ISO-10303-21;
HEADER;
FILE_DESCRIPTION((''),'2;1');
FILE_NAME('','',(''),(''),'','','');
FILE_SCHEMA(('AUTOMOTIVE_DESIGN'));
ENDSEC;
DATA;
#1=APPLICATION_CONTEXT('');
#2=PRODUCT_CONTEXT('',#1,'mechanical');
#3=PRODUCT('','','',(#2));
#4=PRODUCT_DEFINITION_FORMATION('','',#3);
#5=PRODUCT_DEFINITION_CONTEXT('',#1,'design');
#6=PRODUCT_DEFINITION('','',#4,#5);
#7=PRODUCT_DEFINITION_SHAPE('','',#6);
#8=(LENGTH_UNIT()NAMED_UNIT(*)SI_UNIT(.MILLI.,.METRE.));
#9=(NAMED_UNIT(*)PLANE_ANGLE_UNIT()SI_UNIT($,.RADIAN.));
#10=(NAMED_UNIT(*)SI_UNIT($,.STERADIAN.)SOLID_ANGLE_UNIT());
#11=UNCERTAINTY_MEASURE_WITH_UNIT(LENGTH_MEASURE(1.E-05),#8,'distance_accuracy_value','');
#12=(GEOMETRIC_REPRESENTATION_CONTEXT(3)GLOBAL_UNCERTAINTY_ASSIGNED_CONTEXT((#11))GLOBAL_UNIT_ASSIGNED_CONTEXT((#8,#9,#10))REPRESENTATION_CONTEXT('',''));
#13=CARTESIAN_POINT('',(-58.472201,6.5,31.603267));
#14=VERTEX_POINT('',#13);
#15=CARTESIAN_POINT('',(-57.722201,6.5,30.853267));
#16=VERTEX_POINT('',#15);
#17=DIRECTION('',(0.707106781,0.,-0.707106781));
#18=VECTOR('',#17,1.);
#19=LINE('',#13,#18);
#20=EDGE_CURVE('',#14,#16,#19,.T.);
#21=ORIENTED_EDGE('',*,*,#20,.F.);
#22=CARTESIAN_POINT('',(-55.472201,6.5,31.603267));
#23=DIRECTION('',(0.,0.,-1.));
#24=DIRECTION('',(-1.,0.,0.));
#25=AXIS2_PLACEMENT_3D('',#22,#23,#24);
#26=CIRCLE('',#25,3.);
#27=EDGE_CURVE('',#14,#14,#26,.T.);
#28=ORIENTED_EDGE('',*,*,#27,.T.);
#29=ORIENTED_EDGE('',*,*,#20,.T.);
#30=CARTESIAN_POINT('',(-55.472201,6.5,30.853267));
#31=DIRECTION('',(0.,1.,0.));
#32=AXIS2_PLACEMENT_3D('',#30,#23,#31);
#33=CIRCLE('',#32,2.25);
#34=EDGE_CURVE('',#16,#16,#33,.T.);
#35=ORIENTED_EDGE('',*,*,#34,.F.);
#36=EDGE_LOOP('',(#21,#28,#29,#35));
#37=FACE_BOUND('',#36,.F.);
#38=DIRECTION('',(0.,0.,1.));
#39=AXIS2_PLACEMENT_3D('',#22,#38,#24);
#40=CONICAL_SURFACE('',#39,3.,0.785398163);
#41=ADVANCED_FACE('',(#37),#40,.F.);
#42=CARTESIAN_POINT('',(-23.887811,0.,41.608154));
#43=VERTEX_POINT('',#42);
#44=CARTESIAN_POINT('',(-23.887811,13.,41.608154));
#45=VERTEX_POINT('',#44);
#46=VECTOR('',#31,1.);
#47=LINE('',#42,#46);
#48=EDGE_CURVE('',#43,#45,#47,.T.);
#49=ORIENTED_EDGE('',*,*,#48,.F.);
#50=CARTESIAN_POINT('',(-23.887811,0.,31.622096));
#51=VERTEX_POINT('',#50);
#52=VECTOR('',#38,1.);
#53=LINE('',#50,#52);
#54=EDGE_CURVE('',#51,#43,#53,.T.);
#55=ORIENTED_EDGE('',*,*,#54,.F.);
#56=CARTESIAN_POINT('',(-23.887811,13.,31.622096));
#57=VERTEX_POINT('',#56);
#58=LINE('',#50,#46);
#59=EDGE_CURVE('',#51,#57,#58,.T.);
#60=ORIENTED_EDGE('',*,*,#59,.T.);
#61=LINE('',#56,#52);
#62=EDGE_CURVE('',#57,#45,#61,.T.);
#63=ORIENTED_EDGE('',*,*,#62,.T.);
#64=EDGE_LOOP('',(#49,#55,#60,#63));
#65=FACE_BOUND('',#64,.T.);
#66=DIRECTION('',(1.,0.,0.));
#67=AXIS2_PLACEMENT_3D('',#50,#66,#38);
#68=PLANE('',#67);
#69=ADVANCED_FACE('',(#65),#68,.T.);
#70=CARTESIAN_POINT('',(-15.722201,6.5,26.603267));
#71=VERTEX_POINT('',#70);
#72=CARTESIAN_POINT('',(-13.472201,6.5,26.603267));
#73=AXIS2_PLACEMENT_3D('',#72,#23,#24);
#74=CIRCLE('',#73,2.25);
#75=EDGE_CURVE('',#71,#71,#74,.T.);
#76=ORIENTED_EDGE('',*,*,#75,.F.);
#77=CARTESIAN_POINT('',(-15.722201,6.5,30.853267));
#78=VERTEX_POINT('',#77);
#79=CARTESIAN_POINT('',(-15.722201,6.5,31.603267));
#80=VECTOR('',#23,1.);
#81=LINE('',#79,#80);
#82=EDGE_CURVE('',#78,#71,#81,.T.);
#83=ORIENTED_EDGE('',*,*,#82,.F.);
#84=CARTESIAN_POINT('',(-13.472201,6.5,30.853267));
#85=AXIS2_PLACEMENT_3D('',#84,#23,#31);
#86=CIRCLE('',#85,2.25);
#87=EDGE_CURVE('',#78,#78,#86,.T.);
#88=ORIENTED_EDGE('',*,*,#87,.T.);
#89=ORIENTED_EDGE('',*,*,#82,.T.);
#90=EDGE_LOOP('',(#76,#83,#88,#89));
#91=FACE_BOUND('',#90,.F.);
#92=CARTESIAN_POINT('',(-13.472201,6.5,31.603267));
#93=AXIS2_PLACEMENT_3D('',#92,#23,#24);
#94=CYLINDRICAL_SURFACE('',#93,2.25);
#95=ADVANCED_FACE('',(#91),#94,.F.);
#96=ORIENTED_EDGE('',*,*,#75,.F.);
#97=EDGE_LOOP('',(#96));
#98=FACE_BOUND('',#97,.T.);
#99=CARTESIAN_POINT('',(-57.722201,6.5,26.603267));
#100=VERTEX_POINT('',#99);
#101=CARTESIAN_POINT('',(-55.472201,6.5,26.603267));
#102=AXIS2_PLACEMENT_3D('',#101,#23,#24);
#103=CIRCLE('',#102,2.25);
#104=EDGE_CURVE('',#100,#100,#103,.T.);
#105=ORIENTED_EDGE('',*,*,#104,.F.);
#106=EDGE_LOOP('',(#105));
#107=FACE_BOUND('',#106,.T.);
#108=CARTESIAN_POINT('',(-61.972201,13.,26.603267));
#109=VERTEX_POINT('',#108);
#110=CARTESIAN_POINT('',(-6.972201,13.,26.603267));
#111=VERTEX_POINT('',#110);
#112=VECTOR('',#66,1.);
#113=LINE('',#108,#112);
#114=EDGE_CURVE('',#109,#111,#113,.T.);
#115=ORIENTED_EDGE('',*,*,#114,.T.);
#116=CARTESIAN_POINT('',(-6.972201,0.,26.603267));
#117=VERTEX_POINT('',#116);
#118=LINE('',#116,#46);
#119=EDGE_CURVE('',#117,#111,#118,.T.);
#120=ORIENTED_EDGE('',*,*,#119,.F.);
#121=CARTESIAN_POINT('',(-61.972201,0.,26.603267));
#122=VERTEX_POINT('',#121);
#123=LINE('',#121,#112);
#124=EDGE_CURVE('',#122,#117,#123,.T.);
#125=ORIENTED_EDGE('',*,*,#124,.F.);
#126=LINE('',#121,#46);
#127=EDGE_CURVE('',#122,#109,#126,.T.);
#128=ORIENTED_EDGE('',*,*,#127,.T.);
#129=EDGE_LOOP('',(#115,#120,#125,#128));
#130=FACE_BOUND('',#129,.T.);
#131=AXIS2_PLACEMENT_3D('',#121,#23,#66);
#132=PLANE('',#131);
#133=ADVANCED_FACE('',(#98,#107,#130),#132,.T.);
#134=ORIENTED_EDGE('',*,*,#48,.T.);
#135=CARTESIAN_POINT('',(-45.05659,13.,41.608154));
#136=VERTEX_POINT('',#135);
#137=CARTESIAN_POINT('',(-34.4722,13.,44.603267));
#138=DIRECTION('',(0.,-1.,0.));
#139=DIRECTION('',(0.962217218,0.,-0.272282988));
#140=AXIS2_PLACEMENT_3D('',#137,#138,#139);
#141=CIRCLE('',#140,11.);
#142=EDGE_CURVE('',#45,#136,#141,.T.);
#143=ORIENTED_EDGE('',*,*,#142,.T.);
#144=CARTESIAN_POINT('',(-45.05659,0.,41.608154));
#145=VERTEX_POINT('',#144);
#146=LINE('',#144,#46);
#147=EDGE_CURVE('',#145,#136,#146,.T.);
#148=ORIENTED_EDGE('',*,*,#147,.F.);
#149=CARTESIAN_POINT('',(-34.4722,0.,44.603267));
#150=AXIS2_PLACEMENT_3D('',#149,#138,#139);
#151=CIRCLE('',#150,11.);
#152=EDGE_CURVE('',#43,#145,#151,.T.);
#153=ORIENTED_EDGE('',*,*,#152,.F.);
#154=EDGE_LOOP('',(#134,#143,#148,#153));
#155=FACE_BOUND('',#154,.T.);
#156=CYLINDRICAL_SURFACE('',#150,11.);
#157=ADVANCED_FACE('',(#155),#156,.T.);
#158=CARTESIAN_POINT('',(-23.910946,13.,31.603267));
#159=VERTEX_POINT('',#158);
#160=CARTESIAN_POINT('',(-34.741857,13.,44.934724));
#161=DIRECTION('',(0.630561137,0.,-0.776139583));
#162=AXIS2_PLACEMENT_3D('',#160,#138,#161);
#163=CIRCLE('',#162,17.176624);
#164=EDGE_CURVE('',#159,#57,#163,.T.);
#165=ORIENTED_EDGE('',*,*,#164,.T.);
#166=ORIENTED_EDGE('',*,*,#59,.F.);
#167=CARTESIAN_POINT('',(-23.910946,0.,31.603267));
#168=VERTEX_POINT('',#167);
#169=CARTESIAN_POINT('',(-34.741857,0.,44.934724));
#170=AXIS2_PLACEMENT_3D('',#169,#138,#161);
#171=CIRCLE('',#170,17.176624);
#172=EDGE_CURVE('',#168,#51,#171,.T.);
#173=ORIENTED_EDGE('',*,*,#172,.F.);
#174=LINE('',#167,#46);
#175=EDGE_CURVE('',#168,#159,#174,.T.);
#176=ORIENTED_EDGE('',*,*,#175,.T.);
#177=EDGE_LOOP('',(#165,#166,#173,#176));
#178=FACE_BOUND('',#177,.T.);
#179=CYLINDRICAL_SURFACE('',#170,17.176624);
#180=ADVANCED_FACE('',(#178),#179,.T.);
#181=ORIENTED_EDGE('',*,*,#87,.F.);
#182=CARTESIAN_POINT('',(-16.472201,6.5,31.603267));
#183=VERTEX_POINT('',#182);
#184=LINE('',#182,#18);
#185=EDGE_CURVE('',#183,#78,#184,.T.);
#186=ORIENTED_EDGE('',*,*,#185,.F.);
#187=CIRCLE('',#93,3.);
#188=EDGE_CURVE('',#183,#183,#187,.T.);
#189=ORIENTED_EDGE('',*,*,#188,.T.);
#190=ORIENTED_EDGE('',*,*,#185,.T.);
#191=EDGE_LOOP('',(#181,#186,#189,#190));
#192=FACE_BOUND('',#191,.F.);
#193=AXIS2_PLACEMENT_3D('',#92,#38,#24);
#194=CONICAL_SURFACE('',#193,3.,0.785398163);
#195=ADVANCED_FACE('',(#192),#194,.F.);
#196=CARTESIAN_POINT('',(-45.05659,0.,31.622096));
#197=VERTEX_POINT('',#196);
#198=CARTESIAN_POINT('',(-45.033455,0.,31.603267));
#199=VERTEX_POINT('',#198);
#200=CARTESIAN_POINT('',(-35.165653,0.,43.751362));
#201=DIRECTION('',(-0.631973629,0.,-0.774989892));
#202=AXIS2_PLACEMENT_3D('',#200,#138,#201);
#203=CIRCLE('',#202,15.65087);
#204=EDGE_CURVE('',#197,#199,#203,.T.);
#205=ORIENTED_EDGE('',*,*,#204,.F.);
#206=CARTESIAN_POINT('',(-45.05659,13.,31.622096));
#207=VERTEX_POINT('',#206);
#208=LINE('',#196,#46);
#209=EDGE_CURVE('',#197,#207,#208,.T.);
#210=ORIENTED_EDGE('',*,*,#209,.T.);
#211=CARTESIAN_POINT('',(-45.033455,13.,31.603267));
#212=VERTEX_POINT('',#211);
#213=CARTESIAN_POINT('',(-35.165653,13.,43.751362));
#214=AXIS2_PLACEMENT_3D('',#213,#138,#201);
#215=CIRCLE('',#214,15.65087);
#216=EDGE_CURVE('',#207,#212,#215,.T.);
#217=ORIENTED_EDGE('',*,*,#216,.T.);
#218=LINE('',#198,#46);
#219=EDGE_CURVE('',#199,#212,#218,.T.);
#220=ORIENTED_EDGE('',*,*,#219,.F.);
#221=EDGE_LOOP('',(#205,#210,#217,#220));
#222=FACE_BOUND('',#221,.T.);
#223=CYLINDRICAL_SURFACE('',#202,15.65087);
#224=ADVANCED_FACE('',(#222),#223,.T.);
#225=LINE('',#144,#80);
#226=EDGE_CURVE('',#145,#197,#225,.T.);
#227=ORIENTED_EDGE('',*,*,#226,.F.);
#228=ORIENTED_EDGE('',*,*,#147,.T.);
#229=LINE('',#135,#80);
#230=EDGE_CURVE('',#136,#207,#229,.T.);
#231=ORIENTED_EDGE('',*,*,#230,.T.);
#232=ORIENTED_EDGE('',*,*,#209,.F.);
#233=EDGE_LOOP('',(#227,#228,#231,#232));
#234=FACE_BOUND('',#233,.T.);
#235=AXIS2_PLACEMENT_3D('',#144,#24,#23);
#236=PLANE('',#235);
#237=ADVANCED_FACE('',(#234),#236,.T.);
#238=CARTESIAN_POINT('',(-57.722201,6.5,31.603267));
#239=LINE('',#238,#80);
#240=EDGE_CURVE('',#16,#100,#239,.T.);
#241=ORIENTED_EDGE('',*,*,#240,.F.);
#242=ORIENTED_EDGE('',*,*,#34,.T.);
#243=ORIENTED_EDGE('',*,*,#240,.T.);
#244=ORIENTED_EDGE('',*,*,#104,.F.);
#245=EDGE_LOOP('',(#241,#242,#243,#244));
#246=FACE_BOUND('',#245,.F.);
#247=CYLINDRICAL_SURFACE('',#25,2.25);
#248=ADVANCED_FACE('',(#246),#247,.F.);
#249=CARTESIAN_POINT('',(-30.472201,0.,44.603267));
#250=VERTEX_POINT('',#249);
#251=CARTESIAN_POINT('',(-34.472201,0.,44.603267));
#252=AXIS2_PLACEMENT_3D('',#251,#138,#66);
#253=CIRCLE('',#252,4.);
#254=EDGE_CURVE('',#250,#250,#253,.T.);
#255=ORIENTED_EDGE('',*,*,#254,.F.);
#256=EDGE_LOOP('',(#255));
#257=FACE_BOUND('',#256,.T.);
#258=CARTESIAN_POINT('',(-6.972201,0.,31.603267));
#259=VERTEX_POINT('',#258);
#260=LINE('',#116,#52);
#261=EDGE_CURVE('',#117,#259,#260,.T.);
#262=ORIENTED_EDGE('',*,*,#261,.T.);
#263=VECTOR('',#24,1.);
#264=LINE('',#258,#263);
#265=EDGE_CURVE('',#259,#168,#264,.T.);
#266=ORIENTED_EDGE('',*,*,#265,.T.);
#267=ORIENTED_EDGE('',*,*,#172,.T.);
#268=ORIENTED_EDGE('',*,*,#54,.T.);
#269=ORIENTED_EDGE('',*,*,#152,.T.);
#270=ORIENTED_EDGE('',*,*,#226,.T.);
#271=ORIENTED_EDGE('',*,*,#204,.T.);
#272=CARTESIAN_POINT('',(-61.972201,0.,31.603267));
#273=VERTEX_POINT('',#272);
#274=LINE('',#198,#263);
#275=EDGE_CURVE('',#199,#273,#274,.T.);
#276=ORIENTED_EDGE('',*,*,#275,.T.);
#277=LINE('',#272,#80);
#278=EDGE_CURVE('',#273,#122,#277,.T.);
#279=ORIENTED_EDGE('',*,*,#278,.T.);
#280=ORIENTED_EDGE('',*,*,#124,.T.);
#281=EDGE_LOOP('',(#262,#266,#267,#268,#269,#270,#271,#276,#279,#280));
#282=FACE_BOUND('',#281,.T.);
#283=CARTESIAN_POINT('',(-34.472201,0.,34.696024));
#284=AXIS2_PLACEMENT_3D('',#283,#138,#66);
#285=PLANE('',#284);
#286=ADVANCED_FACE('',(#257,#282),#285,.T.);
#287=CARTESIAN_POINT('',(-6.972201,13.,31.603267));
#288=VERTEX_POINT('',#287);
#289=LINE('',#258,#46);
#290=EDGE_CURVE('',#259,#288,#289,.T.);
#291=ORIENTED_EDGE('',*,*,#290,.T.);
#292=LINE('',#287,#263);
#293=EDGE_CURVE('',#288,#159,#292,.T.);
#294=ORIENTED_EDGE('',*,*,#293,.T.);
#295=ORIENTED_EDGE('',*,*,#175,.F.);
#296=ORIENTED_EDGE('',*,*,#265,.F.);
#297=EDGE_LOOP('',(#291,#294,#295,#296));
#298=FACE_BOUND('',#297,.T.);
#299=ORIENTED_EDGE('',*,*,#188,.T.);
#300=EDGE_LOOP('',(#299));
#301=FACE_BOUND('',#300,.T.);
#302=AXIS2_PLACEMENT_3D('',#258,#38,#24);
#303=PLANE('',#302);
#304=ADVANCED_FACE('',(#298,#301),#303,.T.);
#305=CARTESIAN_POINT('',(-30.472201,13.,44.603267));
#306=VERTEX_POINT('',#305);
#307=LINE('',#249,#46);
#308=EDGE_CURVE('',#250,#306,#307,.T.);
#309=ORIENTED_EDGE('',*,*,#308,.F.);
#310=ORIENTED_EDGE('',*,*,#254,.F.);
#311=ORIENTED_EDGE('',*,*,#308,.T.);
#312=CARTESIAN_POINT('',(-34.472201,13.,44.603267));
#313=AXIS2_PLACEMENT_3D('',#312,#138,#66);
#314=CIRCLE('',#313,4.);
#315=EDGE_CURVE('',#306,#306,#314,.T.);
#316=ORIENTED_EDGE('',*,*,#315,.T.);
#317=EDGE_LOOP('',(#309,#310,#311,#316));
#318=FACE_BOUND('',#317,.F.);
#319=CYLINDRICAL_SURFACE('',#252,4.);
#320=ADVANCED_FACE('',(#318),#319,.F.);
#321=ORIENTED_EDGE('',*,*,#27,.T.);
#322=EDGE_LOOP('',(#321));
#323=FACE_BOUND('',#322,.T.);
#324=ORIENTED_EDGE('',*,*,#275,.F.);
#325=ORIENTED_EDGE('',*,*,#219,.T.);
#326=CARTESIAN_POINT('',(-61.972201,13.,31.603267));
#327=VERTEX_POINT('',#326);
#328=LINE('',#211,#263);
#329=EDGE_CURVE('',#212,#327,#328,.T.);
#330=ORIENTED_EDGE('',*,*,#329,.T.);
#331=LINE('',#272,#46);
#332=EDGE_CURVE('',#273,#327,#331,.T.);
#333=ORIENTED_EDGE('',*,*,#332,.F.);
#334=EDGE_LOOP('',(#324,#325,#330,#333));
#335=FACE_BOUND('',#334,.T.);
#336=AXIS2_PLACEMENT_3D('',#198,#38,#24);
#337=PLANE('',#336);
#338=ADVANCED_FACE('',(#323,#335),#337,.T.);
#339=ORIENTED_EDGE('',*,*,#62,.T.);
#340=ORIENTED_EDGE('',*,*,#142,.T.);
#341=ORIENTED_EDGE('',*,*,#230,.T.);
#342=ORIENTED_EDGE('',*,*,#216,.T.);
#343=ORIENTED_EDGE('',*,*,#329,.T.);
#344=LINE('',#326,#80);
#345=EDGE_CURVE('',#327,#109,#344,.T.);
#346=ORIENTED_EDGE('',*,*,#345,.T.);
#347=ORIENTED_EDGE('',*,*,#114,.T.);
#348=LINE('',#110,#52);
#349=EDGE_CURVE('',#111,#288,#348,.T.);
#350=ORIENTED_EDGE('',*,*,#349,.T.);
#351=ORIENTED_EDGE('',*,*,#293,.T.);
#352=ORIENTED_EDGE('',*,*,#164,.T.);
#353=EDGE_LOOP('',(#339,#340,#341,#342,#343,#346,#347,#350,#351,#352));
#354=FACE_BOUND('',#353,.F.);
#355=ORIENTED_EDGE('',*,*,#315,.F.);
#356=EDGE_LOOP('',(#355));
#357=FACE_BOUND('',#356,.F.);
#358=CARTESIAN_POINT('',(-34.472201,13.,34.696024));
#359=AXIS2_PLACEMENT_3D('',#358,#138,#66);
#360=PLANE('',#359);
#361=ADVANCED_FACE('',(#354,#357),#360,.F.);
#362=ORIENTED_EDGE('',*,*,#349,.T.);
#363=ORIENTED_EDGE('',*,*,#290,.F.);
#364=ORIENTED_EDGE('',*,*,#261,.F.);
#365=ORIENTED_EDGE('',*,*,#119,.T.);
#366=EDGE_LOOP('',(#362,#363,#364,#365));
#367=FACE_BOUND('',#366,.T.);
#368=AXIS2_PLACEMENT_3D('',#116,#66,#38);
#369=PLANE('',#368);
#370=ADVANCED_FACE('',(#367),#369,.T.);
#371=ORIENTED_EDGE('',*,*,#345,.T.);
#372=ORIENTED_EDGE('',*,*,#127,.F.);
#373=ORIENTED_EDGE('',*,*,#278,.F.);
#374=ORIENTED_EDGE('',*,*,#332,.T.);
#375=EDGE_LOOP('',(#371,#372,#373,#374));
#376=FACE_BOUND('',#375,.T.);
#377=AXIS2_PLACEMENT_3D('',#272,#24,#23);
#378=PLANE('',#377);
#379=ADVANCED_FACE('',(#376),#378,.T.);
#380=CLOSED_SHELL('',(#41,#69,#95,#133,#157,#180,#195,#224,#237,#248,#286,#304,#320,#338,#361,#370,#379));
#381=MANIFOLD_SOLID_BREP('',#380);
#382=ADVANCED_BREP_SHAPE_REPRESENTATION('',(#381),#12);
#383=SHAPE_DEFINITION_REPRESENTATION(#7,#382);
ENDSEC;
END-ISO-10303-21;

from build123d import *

# Parameters (mm, degrees)
F0_R           = 4
F1_DEPTH       = 13
F3_D           = 4.5
F3_DEPTH       = 5
F3_CSINK_D     = 6
F3_CSINK_ANGLE = 90


with BuildPart() as f1:
    # F0 (on Front) → F1 (new body)
    with BuildSketch(Plane.XZ):
        with BuildLine():
            Line((-61.972201, 31.603267), (-61.972201, 26.603267))
            Line((-61.972201, 26.603267), (-6.972201, 26.603267))
            Line((-6.972201, 26.603267), (-6.972201, 31.603267))
            Line((-6.972201, 31.603267), (-23.887811, 31.603267))
            Line((-23.887811, 31.603267), (-23.910946, 31.603267))
            ThreePointArc((-23.910946, 31.603267), (-23.899375, 31.612676), (-23.887811, 31.622096))
            Line((-23.887811, 31.622096), (-23.887811, 41.608154))
            ThreePointArc((-23.887811, 41.608154), (-34.472201, 55.603267), (-45.05659, 41.608154))
            Line((-45.05659, 41.608154), (-45.05659, 31.622096))
            ThreePointArc((-45.05659, 31.622096), (-45.045027, 31.612676), (-45.033455, 31.603267))
            Line((-45.033455, 31.603267), (-45.05659, 31.603267))
            Line((-45.05659, 31.603267), (-61.972201, 31.603267))
        make_face()
        with Locations((-34.472201, 44.603267)):
            Circle(F0_R, mode=Mode.SUBTRACT)
    extrude(amount=-F1_DEPTH)

    # F3
    with Locations(Plane.XY.offset(31.603267)):
        with Locations((-55.472201, 6.5), (-13.472201, 6.5)):
            CounterSinkHole(F3_D / 2, F3_CSINK_D / 2, depth=F3_DEPTH, counter_sink_angle=F3_CSINK_ANGLE)


solid = f1.part
